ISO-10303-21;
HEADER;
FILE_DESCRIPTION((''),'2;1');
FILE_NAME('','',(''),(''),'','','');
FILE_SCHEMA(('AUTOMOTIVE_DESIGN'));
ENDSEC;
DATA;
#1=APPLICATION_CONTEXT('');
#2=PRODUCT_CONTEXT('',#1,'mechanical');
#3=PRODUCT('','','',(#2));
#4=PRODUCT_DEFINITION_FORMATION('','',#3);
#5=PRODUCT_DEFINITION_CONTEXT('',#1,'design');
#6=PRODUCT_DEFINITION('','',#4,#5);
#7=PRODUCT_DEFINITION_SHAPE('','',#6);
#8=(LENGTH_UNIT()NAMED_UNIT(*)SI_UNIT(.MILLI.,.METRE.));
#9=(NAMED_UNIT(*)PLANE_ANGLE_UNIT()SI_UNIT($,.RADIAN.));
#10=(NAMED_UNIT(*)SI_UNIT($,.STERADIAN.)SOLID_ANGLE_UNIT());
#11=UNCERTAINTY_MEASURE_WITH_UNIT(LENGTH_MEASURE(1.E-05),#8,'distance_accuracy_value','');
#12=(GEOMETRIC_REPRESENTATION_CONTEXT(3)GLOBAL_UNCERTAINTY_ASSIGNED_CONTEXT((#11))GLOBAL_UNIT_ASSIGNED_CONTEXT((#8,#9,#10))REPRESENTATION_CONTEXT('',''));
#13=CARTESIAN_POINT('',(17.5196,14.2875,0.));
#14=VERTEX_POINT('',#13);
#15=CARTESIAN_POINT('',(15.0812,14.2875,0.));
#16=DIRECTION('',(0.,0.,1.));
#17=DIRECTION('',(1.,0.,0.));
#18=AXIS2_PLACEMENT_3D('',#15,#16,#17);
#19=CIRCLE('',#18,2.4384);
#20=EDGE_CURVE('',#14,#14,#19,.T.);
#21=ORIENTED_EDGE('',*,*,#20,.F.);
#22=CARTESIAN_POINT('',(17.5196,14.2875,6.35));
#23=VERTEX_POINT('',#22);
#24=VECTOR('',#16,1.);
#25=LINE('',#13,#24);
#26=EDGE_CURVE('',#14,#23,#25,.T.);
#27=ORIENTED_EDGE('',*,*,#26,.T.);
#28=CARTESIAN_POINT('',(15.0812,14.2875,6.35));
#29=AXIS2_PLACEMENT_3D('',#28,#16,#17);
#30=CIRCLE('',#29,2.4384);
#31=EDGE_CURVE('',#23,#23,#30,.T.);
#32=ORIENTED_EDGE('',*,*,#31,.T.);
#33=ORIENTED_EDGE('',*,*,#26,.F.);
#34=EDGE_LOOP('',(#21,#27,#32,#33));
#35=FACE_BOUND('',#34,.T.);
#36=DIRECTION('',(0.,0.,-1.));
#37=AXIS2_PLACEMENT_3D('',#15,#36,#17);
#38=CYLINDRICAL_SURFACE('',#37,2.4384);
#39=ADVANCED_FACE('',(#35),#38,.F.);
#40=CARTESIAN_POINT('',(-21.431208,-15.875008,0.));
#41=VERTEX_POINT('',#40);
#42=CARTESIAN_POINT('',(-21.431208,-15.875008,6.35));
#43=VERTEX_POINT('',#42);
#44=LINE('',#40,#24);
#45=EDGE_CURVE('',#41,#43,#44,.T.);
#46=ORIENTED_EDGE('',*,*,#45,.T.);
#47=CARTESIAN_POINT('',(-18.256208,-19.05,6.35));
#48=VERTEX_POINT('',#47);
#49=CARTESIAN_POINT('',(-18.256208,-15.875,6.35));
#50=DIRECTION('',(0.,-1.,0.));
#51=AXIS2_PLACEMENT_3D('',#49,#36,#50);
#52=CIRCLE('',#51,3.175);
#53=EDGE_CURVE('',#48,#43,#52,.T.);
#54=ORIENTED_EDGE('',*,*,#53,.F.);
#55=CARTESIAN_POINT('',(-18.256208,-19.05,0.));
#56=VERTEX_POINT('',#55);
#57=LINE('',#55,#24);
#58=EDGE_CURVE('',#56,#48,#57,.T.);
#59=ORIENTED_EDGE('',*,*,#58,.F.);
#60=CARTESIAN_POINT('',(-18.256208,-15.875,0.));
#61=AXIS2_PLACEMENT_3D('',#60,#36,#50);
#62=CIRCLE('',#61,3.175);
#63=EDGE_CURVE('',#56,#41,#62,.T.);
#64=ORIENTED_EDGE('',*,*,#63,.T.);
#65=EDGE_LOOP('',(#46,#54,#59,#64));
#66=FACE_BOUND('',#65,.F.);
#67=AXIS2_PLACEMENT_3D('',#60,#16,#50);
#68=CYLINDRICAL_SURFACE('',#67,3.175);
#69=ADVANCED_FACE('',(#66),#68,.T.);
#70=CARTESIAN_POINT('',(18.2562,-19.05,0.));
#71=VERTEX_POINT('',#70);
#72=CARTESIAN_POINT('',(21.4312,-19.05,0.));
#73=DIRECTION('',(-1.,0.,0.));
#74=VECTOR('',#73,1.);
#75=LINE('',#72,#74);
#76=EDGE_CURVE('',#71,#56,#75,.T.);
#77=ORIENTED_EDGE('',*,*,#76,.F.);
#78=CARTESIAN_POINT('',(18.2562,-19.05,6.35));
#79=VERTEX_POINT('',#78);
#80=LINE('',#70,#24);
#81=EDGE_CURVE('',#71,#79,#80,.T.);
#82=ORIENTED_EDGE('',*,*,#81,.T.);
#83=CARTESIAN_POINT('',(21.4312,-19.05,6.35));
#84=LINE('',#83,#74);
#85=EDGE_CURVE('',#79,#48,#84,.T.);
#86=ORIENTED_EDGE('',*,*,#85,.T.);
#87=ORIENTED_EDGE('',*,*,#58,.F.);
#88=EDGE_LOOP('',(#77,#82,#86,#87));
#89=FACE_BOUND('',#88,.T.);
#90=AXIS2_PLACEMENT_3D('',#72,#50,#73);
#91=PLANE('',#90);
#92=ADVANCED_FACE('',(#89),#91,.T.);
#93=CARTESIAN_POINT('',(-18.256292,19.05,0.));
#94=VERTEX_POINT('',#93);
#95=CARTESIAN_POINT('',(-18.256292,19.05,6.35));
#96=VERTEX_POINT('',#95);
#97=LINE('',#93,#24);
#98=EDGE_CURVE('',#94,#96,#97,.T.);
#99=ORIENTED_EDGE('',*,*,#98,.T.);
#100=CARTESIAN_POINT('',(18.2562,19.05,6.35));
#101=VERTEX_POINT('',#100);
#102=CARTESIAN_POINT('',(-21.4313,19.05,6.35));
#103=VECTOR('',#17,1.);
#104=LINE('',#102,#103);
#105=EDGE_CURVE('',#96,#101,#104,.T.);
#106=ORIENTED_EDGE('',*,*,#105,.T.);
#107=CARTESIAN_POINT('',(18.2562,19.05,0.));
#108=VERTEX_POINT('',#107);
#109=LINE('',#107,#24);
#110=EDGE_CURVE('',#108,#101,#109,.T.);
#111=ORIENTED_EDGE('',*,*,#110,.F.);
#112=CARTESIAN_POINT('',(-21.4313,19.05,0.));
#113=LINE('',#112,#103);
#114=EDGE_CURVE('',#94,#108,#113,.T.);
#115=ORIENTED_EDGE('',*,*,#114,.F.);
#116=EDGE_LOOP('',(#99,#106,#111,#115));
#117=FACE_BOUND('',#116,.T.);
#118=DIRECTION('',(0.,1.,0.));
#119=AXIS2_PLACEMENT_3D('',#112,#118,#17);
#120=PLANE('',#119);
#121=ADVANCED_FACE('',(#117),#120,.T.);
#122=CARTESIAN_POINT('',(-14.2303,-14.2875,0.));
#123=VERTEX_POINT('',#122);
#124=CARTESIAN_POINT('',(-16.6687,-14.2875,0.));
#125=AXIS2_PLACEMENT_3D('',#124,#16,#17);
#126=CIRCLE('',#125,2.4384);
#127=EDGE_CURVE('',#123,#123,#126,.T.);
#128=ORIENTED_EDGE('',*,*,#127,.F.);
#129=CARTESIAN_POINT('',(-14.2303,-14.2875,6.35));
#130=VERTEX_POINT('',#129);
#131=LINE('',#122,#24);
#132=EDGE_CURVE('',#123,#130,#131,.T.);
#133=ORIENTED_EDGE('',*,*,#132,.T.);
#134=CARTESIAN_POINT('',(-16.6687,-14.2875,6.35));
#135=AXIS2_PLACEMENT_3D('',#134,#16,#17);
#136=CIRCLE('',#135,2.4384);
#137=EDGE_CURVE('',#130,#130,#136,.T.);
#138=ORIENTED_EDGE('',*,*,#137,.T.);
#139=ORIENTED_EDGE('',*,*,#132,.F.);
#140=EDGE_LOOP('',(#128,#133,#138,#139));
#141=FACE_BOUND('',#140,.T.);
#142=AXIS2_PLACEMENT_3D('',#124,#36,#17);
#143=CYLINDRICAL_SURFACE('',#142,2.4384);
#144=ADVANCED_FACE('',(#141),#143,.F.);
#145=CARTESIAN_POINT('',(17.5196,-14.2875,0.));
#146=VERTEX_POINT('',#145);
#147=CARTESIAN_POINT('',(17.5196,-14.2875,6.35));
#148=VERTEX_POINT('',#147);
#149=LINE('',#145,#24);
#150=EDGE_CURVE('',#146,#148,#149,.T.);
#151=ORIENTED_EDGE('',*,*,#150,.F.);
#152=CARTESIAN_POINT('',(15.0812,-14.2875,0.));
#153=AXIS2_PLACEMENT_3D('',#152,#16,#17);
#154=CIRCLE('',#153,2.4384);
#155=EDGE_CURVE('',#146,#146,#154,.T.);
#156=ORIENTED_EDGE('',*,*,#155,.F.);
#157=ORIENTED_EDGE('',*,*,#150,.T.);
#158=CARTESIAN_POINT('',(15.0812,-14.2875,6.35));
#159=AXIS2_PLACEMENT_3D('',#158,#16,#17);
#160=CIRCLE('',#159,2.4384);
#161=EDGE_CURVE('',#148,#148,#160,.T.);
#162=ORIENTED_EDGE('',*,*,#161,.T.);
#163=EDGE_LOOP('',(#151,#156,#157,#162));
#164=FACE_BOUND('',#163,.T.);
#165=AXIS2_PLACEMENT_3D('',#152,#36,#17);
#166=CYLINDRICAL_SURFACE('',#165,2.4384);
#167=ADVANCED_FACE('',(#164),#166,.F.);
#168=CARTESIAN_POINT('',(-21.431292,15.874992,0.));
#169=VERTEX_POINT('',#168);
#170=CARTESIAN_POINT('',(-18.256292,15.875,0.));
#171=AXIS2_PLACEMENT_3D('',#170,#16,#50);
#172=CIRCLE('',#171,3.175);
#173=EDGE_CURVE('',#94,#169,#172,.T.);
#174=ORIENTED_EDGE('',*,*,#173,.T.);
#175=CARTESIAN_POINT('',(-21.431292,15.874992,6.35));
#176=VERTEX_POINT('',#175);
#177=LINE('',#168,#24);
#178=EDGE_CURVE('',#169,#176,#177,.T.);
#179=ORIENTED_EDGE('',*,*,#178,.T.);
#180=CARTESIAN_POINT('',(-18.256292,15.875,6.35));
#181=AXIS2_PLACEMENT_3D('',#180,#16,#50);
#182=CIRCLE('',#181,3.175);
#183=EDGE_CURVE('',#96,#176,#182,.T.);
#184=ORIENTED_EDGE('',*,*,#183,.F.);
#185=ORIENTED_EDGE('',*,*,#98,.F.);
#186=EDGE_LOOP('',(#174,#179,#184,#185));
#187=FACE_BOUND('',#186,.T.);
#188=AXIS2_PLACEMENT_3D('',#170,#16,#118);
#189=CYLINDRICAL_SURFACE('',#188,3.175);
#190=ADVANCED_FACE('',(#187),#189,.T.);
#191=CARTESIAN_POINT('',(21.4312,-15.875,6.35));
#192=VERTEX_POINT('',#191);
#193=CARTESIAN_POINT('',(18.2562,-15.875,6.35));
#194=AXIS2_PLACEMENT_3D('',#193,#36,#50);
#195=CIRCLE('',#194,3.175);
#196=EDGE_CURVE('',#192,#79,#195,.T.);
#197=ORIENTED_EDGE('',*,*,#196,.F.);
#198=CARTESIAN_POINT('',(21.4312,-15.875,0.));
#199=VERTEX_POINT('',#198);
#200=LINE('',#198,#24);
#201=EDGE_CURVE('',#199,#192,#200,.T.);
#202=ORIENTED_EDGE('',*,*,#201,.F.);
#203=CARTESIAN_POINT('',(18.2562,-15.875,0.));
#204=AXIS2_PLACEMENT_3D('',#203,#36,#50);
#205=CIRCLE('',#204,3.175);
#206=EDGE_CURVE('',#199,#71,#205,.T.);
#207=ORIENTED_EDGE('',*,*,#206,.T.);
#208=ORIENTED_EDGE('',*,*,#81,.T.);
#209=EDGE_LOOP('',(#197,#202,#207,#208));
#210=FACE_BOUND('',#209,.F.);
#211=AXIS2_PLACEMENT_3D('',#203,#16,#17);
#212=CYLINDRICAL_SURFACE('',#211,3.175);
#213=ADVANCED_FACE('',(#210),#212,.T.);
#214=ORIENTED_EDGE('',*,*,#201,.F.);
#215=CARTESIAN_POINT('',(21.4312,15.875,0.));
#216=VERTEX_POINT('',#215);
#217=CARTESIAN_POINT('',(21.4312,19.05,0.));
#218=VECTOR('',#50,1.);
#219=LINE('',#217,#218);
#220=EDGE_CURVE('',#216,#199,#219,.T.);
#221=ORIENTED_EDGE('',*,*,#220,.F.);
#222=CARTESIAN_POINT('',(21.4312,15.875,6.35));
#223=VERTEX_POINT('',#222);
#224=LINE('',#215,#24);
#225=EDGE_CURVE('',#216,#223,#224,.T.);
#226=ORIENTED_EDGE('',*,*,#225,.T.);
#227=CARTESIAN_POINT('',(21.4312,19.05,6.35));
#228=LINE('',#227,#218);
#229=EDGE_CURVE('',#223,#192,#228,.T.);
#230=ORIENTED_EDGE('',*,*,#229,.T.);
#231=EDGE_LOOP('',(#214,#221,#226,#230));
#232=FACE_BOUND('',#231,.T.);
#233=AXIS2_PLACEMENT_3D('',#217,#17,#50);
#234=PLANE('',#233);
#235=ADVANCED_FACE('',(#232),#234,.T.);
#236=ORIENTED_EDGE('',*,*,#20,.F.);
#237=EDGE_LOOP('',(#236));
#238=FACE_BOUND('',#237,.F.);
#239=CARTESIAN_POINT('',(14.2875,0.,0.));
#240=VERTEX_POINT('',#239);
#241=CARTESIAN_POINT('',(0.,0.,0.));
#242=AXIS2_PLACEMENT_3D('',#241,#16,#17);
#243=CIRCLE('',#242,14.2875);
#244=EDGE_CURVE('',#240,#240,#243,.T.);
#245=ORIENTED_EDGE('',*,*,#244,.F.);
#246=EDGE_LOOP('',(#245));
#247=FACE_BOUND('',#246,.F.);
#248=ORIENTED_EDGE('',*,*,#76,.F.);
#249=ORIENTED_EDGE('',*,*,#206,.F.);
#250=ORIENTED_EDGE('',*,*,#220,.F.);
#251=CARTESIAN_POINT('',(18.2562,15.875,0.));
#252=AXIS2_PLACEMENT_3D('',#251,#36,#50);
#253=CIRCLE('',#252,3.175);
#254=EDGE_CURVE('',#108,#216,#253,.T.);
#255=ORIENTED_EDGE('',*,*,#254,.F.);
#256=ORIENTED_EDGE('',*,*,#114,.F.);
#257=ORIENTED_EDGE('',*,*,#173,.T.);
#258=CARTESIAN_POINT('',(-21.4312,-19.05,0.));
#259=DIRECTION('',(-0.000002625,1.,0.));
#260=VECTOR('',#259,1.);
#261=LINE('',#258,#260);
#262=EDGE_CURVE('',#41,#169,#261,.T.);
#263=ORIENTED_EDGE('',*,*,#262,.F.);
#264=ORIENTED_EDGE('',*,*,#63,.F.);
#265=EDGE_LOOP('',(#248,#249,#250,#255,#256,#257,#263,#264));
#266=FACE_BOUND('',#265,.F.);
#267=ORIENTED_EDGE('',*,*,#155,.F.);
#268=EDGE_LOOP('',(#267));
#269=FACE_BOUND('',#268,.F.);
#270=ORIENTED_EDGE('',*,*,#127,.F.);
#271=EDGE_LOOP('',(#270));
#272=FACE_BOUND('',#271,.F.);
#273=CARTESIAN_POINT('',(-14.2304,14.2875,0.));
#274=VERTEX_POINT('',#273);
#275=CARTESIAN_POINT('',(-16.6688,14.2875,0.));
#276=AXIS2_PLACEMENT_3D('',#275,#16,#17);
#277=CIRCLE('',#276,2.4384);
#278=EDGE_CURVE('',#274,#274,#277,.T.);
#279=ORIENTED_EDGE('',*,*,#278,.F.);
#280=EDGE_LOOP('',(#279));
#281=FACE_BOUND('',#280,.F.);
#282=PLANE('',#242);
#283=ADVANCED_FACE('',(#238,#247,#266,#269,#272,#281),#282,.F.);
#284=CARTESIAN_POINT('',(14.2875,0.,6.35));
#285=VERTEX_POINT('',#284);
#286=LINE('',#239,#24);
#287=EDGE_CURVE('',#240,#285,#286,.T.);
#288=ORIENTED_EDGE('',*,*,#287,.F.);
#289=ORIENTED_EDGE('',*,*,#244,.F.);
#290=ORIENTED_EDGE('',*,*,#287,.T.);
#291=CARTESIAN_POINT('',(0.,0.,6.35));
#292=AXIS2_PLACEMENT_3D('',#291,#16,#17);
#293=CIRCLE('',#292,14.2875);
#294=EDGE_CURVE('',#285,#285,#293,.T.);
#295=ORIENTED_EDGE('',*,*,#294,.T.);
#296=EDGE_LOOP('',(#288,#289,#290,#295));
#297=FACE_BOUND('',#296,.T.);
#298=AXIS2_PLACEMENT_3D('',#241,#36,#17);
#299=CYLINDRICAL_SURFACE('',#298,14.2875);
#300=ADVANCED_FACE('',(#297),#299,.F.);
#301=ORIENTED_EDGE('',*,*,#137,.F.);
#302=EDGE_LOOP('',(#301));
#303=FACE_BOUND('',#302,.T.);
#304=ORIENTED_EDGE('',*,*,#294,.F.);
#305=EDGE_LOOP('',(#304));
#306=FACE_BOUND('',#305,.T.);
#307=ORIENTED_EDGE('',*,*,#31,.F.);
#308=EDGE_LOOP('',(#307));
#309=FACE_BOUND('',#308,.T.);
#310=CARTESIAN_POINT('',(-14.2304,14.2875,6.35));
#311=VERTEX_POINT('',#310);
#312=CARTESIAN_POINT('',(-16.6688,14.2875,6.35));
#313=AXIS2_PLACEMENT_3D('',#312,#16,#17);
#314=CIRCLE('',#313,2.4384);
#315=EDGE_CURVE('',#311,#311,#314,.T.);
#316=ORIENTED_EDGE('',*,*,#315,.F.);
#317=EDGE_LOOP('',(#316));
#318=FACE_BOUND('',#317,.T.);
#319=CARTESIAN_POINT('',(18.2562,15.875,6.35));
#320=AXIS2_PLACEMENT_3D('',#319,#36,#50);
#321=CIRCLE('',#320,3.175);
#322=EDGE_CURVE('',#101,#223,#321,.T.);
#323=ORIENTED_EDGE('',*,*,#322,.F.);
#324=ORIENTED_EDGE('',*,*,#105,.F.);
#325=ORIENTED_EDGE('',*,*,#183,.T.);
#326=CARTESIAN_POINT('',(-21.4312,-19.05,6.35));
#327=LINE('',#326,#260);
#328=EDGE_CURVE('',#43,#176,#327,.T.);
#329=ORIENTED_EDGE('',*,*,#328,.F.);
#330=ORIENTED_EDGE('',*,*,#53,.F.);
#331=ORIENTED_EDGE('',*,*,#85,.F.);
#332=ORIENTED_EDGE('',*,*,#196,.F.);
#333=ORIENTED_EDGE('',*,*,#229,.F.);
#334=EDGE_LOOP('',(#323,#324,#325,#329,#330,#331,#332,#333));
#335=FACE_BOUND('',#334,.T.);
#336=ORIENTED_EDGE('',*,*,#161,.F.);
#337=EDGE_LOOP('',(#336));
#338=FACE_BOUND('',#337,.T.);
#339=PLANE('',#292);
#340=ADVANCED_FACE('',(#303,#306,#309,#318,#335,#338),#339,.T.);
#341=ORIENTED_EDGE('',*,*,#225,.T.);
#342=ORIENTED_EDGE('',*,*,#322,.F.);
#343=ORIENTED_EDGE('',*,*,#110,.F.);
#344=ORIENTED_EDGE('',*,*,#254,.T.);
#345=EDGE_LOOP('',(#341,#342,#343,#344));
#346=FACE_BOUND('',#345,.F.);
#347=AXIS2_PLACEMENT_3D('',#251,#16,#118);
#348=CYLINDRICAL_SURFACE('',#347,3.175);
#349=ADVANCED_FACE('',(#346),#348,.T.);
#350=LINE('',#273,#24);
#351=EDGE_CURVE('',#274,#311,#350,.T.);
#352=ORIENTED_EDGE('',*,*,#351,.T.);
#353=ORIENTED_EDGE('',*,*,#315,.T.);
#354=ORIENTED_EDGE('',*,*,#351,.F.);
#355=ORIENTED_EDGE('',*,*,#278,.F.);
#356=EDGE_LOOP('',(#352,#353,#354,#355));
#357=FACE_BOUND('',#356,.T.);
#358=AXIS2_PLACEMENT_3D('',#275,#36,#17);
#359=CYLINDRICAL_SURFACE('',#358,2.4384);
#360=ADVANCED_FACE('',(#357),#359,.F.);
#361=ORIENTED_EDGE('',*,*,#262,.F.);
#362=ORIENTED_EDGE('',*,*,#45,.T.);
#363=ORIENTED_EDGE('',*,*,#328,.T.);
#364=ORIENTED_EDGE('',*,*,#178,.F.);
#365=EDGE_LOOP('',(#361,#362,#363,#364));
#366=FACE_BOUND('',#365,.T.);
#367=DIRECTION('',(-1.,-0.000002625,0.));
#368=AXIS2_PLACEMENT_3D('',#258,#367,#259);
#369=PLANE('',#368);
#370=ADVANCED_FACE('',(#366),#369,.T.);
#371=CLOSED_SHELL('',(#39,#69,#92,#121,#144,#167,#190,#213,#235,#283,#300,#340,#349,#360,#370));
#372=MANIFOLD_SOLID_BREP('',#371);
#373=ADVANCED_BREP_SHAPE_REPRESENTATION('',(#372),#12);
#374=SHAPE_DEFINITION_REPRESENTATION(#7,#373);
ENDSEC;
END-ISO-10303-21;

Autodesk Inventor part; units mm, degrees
ref_plane "YZ Plane" through (0, 0, 0) normal (1, 0, 0) x (0, 1, 0)
ref_plane "XZ Plane" through (0, 0, 0) normal (0, 1, 0) x (-1, 0, 0)
ref_plane "XY Plane" through (0, 0, 0) normal (0, 0, 1) x (1, 0, 0)
sketch "Sketch1" plane through (0, 0, 0) normal (0, 0, 1) x (1, 0, 0)
  circle A0 centre (0, 0) radius 14.2875
  line L0 (-21.4313, 19.05) -> (21.4312, 19.05)
  line L1 (21.4312, 19.05) -> (21.4312, -19.05)
  line L2 (21.4312, -19.05) -> (-21.4312, -19.05)
  line L3 (-21.4312, -19.05) -> (-21.4313, 19.05)
  circle A1 centre (-16.6688, 14.2875) radius 2.4384
  circle A2 centre (15.0812, 14.2875) radius 2.4384
  circle A3 centre (15.0812, -14.2875) radius 2.4384
  circle A4 centre (-16.6687, -14.2875) radius 2.4384
  line L4 (-16.6688, 14.2875) -> (15.0812, 14.2875) construction
  line L5 (15.0812, 14.2875) -> (15.0812, -14.2875) construction
  line L6 (15.0812, -14.2875) -> (-16.6687, -14.2875) construction
  line L7 (-16.6687, -14.2875) -> (-16.6688, 14.2875) construction
  dimension "d0" = 28.575
  dimension "d1" = 42.8625
  dimension "d2" = 38.1
  dimension "d3" = 21.4312
  dimension "d4" = 19.05
  dimension "d5" = 4.8768
  dimension "d6" = 4.7625
  dimension "d7" = 4.7625
  dimension "d8" = 6.35
  dimension "d9" = 4.7625
  dimension "d10" = 31.75
extrude "Extrusion1" add sketch "Sketch1" along normal blind 6.35
fillet "Fillet1" radius 3.175 4 edges at (21.4312, 19.05, 3.175) (-21.4313, 19.05, 3.175) (21.4312, -19.05, 3.175) (-21.4312, -19.05, 3.175)
properties part number "Generic_Pillow_Block" material "Aluminum-6061"
